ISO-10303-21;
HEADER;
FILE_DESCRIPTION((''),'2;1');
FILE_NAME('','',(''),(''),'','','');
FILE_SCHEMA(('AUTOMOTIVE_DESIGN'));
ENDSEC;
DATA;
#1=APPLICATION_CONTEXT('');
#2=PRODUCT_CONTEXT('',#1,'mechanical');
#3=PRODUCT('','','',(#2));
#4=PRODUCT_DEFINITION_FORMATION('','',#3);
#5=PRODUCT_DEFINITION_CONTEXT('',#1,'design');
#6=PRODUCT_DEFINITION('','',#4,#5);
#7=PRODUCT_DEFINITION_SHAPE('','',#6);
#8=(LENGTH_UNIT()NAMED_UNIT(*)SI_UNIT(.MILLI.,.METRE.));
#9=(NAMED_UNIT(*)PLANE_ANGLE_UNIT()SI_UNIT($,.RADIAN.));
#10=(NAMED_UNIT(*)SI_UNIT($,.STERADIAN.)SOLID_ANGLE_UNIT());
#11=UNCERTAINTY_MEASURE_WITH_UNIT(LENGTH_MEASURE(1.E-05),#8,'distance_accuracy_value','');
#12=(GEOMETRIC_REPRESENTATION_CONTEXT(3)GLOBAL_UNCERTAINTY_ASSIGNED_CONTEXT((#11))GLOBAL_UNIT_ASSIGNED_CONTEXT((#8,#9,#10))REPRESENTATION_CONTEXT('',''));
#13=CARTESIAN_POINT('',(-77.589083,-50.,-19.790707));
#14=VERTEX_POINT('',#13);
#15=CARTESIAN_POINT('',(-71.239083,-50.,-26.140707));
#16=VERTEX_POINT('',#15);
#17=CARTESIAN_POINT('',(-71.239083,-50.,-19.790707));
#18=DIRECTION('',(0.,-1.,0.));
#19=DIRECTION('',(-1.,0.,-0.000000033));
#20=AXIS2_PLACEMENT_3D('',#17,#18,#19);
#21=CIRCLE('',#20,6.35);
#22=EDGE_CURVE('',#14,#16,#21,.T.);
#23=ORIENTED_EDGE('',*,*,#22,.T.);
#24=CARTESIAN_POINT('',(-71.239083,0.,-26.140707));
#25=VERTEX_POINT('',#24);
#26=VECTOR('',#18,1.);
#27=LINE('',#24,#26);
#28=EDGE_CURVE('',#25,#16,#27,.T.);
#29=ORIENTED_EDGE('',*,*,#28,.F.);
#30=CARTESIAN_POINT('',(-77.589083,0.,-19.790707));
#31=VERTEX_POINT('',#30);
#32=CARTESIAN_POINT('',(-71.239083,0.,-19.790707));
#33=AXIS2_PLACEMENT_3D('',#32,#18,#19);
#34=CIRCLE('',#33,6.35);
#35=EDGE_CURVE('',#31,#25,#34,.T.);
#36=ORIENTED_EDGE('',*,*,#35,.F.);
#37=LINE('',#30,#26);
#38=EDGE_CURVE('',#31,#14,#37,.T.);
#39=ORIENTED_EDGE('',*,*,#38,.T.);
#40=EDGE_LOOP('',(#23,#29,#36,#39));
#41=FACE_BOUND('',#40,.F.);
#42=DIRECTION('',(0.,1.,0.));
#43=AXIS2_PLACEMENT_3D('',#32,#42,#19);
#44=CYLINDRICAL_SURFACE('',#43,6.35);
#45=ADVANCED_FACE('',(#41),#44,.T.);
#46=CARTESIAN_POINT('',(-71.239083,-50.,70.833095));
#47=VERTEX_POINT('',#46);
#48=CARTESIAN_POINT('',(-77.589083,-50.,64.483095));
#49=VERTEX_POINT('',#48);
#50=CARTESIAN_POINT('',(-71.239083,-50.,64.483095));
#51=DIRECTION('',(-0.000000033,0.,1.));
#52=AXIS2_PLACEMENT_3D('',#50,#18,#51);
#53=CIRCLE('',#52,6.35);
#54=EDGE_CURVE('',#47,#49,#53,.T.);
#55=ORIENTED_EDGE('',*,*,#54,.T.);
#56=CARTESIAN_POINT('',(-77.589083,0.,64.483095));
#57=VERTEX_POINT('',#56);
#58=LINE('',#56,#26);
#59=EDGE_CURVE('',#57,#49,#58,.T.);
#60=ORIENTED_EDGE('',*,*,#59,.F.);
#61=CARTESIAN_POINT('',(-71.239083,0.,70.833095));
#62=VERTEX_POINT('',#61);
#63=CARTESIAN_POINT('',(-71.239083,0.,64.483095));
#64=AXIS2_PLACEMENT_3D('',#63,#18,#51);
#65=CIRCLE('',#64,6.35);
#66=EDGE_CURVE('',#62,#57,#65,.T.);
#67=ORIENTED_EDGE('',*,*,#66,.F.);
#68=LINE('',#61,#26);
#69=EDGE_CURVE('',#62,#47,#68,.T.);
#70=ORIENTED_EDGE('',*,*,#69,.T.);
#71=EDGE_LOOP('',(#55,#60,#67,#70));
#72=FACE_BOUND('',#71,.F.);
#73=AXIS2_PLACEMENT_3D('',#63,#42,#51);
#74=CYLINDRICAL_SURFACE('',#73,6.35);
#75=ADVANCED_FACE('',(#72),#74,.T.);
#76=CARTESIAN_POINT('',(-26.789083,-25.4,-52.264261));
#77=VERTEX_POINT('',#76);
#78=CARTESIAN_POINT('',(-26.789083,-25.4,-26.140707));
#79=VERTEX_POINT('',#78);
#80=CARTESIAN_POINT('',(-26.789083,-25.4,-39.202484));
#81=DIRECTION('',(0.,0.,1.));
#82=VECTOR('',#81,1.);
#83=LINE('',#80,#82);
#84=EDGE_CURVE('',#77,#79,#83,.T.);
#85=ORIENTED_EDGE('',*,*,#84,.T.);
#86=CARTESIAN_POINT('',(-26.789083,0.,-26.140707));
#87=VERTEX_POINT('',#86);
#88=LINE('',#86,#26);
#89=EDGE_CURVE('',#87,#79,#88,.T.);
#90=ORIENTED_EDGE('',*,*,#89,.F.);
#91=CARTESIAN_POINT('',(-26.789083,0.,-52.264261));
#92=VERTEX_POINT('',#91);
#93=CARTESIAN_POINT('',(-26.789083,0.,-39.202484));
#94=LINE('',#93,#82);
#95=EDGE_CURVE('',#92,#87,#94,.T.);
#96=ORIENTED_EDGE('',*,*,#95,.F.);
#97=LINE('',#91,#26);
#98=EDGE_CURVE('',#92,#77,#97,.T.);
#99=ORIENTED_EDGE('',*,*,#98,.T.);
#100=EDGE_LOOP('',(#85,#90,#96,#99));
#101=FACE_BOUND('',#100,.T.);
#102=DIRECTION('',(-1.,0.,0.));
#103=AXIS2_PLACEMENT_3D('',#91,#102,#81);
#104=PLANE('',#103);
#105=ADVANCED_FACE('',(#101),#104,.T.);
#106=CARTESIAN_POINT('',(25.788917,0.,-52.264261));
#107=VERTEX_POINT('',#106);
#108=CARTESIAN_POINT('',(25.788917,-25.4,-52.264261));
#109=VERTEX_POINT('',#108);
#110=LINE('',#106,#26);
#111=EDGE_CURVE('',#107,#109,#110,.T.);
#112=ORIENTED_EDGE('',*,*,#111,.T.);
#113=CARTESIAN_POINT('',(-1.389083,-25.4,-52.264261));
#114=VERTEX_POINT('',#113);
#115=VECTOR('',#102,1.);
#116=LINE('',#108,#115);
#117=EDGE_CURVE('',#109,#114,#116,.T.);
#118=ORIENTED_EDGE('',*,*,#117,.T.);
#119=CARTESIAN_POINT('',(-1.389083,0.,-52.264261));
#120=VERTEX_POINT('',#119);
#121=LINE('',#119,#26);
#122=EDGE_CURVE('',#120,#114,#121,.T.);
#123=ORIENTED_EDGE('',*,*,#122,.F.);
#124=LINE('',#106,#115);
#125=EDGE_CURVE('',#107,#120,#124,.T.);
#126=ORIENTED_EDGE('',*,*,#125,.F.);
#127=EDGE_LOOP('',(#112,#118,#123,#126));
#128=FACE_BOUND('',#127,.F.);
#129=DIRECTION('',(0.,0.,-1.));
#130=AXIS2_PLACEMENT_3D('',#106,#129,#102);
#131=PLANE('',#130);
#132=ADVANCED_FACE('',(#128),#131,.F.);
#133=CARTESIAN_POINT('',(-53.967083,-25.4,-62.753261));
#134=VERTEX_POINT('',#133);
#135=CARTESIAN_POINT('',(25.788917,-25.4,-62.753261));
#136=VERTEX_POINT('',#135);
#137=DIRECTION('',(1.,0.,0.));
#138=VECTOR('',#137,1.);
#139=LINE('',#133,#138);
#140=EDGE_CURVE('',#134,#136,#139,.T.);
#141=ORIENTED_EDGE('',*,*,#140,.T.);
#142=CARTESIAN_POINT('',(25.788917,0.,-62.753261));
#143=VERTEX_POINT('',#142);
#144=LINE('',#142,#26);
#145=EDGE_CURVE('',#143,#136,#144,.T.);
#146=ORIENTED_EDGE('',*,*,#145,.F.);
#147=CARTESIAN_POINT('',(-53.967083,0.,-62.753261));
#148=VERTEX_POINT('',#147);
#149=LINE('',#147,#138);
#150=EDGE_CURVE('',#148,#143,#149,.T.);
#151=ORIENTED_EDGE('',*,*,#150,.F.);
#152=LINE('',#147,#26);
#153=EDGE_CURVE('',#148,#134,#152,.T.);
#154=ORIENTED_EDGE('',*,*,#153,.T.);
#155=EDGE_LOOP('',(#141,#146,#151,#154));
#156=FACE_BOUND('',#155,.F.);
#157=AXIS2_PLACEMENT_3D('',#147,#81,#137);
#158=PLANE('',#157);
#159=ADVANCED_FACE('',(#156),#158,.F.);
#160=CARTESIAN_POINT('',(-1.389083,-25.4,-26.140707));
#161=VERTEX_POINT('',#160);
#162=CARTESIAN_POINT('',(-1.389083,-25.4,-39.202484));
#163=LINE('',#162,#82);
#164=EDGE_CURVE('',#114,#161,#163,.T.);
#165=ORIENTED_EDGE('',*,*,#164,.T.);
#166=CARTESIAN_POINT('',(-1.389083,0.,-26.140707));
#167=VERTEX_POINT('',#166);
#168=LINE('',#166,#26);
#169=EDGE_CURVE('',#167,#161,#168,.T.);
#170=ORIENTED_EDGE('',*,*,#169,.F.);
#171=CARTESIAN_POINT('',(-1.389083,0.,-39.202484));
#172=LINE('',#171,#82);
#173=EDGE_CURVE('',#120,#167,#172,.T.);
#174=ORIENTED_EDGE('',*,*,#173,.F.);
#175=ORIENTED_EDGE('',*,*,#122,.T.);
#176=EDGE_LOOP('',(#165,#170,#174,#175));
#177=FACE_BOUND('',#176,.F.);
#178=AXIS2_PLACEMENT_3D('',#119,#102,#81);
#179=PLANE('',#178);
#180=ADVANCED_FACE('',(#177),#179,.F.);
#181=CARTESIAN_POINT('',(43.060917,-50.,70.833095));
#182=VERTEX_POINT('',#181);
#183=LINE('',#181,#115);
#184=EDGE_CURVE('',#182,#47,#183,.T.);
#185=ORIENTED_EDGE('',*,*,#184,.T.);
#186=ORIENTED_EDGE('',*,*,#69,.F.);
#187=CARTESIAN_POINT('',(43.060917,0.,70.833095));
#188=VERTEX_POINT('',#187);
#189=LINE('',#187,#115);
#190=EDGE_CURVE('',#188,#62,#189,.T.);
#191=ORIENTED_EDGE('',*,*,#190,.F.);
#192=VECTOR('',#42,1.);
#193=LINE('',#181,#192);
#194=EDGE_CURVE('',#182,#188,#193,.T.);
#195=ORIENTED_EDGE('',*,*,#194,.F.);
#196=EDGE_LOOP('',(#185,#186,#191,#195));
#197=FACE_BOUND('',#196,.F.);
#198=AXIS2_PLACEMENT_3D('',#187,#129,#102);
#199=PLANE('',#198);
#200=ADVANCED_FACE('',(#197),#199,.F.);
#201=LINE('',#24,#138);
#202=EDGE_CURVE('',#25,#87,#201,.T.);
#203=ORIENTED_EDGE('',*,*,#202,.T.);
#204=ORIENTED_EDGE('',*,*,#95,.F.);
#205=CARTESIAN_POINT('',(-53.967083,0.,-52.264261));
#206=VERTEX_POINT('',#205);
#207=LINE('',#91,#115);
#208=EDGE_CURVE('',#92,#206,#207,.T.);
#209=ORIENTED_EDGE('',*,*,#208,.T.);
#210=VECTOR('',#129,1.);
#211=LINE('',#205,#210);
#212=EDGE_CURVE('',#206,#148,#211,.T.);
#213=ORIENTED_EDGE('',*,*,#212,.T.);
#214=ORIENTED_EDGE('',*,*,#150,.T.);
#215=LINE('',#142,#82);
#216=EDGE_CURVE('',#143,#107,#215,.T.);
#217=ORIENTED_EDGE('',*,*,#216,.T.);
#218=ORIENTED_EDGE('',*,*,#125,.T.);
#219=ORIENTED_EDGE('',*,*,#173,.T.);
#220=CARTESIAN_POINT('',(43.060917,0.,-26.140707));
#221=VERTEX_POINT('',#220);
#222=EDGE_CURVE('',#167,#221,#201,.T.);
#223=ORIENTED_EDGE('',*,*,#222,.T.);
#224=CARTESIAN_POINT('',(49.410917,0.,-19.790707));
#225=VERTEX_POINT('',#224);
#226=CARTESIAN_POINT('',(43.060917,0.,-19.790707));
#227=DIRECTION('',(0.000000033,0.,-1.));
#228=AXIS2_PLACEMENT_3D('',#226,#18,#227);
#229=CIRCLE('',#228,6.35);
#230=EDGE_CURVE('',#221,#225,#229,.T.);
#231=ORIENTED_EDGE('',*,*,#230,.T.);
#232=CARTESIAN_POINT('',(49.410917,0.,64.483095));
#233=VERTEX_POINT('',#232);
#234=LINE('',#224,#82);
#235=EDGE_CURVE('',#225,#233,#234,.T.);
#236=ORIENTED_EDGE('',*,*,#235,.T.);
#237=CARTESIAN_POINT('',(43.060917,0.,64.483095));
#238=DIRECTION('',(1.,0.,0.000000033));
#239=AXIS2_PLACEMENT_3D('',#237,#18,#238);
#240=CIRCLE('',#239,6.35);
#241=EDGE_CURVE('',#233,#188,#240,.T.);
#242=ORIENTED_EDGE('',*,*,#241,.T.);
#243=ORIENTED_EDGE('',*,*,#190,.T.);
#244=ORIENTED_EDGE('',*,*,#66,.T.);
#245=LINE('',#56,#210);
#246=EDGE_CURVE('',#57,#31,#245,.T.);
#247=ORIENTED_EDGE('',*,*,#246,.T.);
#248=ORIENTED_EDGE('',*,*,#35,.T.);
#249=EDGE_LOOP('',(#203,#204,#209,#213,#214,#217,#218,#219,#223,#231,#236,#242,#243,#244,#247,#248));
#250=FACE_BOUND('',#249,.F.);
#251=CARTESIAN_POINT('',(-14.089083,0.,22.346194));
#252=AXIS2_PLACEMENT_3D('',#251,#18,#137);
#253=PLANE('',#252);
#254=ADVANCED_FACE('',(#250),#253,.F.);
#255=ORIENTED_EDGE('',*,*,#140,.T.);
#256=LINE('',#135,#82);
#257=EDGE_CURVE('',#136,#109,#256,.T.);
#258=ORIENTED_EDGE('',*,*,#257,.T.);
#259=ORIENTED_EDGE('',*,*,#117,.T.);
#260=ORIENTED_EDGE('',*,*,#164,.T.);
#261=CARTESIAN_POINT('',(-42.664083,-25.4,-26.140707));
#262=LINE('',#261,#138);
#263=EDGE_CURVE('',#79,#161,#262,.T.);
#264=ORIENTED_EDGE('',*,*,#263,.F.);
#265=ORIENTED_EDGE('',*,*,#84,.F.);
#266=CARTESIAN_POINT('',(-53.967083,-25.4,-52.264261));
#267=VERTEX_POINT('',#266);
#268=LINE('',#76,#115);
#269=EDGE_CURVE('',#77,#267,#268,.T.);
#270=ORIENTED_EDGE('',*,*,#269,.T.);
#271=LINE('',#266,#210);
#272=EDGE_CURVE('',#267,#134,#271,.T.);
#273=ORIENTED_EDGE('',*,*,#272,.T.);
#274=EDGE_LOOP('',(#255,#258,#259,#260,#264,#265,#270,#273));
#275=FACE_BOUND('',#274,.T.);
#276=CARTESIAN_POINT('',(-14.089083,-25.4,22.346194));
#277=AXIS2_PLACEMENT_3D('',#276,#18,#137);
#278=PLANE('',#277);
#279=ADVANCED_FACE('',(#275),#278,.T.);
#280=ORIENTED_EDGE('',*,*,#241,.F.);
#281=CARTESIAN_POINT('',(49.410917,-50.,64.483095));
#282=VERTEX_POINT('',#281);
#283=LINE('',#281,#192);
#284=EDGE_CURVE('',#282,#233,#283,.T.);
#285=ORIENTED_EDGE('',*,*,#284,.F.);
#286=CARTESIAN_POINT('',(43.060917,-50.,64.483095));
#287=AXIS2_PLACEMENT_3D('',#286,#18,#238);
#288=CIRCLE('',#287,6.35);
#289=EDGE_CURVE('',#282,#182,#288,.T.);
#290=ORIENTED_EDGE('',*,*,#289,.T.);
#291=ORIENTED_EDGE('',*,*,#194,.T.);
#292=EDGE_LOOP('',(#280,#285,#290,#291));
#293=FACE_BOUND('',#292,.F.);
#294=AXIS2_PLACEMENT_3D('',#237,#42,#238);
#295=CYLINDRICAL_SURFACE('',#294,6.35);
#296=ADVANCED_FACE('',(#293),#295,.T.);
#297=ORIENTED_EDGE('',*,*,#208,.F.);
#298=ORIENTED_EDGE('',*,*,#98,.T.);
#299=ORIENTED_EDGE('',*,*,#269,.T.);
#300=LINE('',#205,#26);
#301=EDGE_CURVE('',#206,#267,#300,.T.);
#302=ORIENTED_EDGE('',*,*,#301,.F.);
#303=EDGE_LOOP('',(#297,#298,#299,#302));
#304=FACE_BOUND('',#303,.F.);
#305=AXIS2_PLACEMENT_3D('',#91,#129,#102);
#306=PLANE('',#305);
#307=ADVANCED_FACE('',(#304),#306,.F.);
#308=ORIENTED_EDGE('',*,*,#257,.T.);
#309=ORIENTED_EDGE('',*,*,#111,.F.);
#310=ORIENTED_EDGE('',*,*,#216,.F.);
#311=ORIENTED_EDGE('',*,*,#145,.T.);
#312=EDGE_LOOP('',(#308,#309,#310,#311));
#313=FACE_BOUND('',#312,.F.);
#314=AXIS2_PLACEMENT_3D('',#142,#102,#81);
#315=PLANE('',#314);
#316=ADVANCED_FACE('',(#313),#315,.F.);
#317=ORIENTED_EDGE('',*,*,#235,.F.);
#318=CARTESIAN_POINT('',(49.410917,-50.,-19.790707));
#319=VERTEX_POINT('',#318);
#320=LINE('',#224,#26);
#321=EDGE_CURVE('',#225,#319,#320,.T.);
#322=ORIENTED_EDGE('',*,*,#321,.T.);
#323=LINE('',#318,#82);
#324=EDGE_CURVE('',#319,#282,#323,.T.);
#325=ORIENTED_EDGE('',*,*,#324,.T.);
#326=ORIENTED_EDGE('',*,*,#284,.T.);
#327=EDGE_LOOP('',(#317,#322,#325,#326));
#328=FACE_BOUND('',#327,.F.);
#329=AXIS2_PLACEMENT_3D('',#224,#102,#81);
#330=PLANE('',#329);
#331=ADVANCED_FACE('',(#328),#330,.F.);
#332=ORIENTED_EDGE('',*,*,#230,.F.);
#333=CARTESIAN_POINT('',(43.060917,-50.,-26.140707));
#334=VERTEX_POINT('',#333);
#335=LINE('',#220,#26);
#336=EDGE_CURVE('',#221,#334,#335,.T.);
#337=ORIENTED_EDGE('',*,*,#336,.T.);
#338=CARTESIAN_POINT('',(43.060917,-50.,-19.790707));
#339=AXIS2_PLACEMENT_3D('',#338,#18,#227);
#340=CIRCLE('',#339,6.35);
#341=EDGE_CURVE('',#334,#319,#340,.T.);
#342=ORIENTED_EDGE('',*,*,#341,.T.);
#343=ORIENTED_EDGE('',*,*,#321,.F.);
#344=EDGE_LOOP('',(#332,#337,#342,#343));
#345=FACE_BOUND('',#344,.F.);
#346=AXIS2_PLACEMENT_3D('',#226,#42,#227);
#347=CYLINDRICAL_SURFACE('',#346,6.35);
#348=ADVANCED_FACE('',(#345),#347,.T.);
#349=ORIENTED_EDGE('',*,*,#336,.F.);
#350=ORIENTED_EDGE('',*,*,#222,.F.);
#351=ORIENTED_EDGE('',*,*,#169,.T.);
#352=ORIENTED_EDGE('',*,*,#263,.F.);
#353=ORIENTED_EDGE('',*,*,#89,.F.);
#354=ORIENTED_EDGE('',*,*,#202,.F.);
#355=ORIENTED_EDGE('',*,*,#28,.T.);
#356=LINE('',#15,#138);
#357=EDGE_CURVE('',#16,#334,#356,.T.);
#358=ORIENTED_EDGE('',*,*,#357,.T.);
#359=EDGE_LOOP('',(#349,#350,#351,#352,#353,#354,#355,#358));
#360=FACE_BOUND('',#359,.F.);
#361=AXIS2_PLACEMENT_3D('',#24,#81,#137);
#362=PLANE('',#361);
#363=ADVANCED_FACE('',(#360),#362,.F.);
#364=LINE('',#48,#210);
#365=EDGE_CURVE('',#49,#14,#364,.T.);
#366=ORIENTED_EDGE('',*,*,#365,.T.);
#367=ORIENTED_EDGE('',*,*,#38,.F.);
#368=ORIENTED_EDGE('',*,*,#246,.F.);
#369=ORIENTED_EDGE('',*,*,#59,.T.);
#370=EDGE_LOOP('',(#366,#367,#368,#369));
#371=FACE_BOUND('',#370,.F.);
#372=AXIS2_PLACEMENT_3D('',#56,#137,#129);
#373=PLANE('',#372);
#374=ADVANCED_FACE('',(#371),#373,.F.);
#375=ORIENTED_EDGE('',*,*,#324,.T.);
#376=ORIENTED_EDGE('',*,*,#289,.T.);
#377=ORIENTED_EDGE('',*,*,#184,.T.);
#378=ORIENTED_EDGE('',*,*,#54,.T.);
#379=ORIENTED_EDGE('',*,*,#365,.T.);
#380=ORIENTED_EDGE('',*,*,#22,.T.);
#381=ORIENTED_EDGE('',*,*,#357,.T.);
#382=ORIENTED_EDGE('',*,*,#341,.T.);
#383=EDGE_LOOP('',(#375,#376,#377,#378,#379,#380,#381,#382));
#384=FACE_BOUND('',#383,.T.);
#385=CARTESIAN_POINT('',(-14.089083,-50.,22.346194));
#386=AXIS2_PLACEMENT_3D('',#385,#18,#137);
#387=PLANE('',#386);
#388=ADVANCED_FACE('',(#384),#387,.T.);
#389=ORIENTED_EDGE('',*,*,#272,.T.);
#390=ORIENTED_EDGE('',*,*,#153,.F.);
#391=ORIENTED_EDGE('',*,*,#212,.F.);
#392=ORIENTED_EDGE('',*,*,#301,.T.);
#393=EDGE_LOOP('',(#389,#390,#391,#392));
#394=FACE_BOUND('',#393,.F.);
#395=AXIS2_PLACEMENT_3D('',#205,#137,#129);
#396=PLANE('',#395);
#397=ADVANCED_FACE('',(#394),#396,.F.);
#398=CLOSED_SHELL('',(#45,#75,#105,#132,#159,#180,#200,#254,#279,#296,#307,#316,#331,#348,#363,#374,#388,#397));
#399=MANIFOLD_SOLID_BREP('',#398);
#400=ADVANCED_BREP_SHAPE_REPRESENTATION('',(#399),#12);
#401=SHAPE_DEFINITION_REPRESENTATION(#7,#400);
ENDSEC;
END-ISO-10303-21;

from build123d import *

# Parameters (mm, degrees)
F1_DEPTH = 50
F0_W     = 25.4
F0_H     = 26.123554
F2_DEPTH = 25.4


with BuildPart() as f1:
    # F0 (on Front) → F1 (new body)
    with BuildSketch(Plane.XZ):
        with BuildLine():
            Line((43.060917, 70.833095), (-71.239083, 70.833095))
            ThreePointArc((-71.239083, 70.833095), (-75.729211, 68.973223), (-77.589083, 64.483095))
            Line((-77.589083, 64.483095), (-77.589083, -19.790707))
            ThreePointArc((-77.589083, -19.790707), (-75.729211, -24.280835), (-71.239083, -26.140707))
            Line((-71.239083, -26.140707), (-26.789083, -26.140707))
            Line((-26.789083, -26.140707), (-1.389083, -26.140707))
            Line((-1.389083, -26.140707), (43.060917, -26.140707))
            ThreePointArc((43.060917, -26.140707), (47.551045, -24.280835), (49.410917, -19.790707))
            Line((49.410917, -19.790707), (49.410917, 64.483095))
            ThreePointArc((49.410917, 64.483095), (47.551045, 68.973223), (43.060917, 70.833095))
        make_face()
    extrude(amount=F1_DEPTH)

    # F0 (on Front) → F2 (join)
    with BuildSketch(Plane.XZ):
        with BuildLine():
            Line((43.060917, 70.833095), (-71.239083, 70.833095))
            ThreePointArc((-71.239083, 70.833095), (-75.729211, 68.973223), (-77.589083, 64.483095))
            Line((-77.589083, 64.483095), (-77.589083, -19.790707))
            ThreePointArc((-77.589083, -19.790707), (-75.729211, -24.280835), (-71.239083, -26.140707))
            Line((-71.239083, -26.140707), (-26.789083, -26.140707))
            Line((-26.789083, -26.140707), (-1.389083, -26.140707))
            Line((-1.389083, -26.140707), (43.060917, -26.140707))
            ThreePointArc((43.060917, -26.140707), (47.551045, -24.280835), (49.410917, -19.790707))
            Line((49.410917, -19.790707), (49.410917, 64.483095))
            ThreePointArc((49.410917, 64.483095), (47.551045, 68.973223), (43.060917, 70.833095))
        make_face()
        with Locations((-14.089083, -39.202484)):
            Rectangle(F0_W, F0_H)
        Polygon((-1.389083, -52.264261), (-26.789083, -52.264261), (-53.967083, -52.264261), (-53.967083, -62.753261), (25.788917, -62.753261), (25.788917, -52.264261), align=None)
    extrude(amount=F2_DEPTH)


solid = f1.part
